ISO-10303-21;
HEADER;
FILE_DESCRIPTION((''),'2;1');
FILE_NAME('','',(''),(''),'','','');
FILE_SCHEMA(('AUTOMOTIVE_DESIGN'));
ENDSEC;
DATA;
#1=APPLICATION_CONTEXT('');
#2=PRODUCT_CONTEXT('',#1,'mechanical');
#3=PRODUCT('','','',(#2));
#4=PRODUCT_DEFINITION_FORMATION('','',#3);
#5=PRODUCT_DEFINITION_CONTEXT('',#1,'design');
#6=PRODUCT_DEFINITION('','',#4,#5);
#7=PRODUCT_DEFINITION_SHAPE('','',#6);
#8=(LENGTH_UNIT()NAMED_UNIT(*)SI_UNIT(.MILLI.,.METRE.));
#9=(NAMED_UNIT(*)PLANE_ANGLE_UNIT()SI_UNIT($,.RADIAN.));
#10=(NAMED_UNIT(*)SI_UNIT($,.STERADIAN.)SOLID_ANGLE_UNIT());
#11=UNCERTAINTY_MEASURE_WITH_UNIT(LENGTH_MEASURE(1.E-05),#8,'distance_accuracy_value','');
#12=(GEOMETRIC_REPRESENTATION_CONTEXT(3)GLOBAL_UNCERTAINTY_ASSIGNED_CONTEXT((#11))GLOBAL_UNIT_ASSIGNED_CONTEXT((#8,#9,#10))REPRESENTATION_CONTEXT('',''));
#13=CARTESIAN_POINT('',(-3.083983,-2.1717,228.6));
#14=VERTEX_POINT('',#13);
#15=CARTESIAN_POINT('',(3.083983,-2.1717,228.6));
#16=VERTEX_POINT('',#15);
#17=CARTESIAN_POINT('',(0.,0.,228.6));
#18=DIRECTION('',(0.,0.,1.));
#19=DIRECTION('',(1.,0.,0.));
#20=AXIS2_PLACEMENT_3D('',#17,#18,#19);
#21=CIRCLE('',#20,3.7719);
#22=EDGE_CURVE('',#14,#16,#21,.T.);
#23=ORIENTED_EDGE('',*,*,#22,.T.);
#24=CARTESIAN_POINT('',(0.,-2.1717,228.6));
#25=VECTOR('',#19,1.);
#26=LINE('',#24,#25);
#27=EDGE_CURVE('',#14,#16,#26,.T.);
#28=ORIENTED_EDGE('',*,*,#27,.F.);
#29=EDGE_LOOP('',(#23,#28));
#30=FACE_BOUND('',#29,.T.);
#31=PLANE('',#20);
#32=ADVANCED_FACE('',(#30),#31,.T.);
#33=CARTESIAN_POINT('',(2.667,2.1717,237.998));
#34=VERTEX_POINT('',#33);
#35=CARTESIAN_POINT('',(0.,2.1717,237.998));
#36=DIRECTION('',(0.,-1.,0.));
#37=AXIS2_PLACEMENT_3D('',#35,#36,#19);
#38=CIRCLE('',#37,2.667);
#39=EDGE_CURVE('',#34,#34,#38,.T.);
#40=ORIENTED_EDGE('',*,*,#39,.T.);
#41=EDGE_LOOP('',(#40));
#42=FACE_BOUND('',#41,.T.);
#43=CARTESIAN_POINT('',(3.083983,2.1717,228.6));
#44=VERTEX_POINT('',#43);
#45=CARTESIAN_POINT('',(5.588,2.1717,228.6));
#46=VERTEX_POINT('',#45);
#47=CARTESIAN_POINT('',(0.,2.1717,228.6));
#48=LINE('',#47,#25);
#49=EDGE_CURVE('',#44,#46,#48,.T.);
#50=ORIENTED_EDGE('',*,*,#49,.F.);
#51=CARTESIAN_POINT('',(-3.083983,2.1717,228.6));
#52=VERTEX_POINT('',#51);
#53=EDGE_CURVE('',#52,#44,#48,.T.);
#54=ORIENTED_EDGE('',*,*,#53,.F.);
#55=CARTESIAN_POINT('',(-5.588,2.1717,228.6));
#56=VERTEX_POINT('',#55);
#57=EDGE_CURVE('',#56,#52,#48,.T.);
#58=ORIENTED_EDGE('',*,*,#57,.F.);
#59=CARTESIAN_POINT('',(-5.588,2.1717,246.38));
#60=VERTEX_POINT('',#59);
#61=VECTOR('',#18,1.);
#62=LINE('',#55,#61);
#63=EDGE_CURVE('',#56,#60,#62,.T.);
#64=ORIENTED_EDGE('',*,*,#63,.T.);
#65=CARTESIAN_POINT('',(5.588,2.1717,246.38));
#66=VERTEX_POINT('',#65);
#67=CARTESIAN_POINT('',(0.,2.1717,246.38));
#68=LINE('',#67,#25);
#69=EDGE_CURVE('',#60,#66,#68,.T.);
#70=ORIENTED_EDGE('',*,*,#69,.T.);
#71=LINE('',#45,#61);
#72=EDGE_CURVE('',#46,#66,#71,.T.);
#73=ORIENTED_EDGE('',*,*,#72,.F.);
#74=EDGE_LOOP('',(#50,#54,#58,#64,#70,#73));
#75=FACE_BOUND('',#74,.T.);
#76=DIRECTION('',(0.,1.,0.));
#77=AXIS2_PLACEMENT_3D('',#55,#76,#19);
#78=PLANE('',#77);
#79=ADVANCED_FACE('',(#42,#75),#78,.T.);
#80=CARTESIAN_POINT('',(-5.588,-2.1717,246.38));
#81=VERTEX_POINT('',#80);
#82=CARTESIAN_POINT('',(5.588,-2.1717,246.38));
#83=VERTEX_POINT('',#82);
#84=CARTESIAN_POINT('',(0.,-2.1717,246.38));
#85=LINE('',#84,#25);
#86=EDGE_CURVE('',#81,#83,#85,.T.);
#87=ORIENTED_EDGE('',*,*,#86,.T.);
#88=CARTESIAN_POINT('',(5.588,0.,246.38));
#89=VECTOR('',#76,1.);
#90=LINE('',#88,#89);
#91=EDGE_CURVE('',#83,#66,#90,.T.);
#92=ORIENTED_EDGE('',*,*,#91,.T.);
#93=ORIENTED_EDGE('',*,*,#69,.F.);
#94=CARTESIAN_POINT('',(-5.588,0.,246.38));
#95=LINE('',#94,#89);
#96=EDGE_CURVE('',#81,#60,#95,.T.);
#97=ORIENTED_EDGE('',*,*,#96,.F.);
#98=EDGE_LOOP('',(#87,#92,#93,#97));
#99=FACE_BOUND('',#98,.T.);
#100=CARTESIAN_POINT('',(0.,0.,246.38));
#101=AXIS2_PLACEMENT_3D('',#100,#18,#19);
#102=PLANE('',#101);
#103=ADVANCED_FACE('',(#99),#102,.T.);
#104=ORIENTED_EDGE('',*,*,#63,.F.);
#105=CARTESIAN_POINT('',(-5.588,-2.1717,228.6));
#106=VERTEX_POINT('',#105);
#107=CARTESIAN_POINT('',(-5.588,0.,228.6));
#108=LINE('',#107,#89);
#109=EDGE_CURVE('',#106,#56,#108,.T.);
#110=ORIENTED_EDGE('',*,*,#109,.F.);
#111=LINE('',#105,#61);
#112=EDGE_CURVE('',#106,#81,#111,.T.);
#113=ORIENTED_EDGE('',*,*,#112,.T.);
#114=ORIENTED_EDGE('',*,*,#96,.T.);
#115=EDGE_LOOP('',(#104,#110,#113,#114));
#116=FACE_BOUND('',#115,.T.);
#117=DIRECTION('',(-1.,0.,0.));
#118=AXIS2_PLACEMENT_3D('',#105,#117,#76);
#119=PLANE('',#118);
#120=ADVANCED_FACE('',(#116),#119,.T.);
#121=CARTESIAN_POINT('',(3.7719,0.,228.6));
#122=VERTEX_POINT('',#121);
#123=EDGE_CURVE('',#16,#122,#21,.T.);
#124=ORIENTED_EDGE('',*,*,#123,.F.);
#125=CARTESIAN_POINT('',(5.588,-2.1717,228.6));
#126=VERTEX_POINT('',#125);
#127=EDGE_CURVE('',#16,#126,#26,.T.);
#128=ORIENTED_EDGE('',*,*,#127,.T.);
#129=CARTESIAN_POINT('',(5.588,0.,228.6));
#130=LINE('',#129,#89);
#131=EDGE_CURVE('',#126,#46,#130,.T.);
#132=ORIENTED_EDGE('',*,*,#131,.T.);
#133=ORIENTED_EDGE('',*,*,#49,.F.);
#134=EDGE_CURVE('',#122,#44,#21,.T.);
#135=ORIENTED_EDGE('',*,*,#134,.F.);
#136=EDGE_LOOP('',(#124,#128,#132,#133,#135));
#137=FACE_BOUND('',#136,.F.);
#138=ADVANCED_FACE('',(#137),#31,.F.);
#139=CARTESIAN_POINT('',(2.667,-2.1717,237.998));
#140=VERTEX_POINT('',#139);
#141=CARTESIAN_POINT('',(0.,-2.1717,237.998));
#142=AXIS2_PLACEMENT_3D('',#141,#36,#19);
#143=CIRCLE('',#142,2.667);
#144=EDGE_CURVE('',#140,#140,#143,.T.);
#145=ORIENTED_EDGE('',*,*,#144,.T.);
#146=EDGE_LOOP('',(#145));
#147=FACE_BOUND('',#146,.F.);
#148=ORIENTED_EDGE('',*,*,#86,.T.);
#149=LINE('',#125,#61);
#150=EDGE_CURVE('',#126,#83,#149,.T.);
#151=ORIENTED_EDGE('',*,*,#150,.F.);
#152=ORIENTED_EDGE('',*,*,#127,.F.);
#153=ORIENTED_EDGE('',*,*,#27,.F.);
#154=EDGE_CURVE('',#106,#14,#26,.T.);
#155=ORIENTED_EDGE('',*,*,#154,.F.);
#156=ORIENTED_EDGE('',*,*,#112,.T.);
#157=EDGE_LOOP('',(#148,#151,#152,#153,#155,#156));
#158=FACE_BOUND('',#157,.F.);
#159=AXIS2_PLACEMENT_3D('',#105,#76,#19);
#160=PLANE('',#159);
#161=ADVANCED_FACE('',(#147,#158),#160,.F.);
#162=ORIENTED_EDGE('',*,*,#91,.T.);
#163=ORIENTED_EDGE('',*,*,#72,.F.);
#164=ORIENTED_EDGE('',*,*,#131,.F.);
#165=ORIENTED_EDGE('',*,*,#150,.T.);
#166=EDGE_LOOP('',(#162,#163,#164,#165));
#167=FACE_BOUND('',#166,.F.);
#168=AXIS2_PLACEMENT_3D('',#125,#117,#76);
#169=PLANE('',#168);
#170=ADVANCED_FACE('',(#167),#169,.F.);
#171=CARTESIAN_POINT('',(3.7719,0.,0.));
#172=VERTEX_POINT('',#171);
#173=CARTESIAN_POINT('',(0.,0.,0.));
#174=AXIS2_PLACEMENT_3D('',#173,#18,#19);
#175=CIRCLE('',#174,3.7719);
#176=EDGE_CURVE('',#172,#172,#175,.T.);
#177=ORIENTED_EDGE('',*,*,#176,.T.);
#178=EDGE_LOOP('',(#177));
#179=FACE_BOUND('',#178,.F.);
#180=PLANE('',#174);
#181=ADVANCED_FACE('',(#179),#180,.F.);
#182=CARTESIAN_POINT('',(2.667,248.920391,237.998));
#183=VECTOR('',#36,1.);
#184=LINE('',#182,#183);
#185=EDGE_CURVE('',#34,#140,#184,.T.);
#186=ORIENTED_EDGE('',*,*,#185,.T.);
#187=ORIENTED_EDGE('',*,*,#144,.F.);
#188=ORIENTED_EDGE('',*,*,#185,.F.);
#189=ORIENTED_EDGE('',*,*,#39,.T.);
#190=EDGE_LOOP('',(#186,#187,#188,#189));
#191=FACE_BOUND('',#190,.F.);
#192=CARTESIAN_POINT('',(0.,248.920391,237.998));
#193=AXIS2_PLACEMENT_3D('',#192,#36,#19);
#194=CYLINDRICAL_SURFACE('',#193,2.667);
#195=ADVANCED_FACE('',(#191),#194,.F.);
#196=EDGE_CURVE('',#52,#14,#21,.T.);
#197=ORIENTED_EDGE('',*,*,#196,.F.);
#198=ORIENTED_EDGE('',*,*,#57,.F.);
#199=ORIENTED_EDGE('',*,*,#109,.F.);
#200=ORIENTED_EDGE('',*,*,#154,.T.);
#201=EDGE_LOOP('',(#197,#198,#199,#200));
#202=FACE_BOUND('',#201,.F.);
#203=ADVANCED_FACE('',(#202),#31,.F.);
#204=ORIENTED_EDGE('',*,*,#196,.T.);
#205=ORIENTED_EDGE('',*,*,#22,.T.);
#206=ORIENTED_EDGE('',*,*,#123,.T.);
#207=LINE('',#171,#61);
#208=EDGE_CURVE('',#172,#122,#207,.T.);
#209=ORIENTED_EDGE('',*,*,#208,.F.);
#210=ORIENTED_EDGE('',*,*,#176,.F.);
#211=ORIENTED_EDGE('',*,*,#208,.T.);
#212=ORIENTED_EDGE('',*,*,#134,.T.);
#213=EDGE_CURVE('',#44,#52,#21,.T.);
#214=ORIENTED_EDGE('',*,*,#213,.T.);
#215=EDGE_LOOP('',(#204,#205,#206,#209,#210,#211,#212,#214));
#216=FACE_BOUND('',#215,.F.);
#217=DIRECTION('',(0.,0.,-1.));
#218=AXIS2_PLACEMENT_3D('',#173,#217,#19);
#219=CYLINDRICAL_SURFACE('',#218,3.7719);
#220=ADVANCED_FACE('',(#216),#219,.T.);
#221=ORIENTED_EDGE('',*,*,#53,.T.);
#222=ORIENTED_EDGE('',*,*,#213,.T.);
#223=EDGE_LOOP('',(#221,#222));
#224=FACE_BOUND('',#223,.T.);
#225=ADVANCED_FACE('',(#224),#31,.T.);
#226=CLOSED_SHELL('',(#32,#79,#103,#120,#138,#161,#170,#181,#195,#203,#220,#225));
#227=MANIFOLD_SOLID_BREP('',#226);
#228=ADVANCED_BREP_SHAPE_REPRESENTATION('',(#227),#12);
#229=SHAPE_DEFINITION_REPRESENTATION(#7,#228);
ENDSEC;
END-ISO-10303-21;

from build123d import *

# Parameters (mm, degrees)
F0_R     = 3.7719
F1_DEPTH = 228.6
F2_W     = 11.176
F2_H     = 4.3434
F3_DEPTH = 17.78
F5_D     = 5.334


with BuildPart() as f1:
    # F0 (on Top) → F1 (new body)
    with BuildSketch(Plane.XY):
        Circle(F0_R)
    extrude(amount=F1_DEPTH)

    # F2 (on face) → F3 (join)
    with BuildSketch(Plane.XY.offset(228.6)):
        Rectangle(F2_W, F2_H)
    extrude(amount=F3_DEPTH)

    # F5 (through all)
    with Locations(Plane(origin=(0, 2.1717, 0), x_dir=(-1, 0, 0), z_dir=(0, 1, 0))):
        with Locations((0, 237.998)):
            Hole(F5_D / 2)


solid = f1.part
